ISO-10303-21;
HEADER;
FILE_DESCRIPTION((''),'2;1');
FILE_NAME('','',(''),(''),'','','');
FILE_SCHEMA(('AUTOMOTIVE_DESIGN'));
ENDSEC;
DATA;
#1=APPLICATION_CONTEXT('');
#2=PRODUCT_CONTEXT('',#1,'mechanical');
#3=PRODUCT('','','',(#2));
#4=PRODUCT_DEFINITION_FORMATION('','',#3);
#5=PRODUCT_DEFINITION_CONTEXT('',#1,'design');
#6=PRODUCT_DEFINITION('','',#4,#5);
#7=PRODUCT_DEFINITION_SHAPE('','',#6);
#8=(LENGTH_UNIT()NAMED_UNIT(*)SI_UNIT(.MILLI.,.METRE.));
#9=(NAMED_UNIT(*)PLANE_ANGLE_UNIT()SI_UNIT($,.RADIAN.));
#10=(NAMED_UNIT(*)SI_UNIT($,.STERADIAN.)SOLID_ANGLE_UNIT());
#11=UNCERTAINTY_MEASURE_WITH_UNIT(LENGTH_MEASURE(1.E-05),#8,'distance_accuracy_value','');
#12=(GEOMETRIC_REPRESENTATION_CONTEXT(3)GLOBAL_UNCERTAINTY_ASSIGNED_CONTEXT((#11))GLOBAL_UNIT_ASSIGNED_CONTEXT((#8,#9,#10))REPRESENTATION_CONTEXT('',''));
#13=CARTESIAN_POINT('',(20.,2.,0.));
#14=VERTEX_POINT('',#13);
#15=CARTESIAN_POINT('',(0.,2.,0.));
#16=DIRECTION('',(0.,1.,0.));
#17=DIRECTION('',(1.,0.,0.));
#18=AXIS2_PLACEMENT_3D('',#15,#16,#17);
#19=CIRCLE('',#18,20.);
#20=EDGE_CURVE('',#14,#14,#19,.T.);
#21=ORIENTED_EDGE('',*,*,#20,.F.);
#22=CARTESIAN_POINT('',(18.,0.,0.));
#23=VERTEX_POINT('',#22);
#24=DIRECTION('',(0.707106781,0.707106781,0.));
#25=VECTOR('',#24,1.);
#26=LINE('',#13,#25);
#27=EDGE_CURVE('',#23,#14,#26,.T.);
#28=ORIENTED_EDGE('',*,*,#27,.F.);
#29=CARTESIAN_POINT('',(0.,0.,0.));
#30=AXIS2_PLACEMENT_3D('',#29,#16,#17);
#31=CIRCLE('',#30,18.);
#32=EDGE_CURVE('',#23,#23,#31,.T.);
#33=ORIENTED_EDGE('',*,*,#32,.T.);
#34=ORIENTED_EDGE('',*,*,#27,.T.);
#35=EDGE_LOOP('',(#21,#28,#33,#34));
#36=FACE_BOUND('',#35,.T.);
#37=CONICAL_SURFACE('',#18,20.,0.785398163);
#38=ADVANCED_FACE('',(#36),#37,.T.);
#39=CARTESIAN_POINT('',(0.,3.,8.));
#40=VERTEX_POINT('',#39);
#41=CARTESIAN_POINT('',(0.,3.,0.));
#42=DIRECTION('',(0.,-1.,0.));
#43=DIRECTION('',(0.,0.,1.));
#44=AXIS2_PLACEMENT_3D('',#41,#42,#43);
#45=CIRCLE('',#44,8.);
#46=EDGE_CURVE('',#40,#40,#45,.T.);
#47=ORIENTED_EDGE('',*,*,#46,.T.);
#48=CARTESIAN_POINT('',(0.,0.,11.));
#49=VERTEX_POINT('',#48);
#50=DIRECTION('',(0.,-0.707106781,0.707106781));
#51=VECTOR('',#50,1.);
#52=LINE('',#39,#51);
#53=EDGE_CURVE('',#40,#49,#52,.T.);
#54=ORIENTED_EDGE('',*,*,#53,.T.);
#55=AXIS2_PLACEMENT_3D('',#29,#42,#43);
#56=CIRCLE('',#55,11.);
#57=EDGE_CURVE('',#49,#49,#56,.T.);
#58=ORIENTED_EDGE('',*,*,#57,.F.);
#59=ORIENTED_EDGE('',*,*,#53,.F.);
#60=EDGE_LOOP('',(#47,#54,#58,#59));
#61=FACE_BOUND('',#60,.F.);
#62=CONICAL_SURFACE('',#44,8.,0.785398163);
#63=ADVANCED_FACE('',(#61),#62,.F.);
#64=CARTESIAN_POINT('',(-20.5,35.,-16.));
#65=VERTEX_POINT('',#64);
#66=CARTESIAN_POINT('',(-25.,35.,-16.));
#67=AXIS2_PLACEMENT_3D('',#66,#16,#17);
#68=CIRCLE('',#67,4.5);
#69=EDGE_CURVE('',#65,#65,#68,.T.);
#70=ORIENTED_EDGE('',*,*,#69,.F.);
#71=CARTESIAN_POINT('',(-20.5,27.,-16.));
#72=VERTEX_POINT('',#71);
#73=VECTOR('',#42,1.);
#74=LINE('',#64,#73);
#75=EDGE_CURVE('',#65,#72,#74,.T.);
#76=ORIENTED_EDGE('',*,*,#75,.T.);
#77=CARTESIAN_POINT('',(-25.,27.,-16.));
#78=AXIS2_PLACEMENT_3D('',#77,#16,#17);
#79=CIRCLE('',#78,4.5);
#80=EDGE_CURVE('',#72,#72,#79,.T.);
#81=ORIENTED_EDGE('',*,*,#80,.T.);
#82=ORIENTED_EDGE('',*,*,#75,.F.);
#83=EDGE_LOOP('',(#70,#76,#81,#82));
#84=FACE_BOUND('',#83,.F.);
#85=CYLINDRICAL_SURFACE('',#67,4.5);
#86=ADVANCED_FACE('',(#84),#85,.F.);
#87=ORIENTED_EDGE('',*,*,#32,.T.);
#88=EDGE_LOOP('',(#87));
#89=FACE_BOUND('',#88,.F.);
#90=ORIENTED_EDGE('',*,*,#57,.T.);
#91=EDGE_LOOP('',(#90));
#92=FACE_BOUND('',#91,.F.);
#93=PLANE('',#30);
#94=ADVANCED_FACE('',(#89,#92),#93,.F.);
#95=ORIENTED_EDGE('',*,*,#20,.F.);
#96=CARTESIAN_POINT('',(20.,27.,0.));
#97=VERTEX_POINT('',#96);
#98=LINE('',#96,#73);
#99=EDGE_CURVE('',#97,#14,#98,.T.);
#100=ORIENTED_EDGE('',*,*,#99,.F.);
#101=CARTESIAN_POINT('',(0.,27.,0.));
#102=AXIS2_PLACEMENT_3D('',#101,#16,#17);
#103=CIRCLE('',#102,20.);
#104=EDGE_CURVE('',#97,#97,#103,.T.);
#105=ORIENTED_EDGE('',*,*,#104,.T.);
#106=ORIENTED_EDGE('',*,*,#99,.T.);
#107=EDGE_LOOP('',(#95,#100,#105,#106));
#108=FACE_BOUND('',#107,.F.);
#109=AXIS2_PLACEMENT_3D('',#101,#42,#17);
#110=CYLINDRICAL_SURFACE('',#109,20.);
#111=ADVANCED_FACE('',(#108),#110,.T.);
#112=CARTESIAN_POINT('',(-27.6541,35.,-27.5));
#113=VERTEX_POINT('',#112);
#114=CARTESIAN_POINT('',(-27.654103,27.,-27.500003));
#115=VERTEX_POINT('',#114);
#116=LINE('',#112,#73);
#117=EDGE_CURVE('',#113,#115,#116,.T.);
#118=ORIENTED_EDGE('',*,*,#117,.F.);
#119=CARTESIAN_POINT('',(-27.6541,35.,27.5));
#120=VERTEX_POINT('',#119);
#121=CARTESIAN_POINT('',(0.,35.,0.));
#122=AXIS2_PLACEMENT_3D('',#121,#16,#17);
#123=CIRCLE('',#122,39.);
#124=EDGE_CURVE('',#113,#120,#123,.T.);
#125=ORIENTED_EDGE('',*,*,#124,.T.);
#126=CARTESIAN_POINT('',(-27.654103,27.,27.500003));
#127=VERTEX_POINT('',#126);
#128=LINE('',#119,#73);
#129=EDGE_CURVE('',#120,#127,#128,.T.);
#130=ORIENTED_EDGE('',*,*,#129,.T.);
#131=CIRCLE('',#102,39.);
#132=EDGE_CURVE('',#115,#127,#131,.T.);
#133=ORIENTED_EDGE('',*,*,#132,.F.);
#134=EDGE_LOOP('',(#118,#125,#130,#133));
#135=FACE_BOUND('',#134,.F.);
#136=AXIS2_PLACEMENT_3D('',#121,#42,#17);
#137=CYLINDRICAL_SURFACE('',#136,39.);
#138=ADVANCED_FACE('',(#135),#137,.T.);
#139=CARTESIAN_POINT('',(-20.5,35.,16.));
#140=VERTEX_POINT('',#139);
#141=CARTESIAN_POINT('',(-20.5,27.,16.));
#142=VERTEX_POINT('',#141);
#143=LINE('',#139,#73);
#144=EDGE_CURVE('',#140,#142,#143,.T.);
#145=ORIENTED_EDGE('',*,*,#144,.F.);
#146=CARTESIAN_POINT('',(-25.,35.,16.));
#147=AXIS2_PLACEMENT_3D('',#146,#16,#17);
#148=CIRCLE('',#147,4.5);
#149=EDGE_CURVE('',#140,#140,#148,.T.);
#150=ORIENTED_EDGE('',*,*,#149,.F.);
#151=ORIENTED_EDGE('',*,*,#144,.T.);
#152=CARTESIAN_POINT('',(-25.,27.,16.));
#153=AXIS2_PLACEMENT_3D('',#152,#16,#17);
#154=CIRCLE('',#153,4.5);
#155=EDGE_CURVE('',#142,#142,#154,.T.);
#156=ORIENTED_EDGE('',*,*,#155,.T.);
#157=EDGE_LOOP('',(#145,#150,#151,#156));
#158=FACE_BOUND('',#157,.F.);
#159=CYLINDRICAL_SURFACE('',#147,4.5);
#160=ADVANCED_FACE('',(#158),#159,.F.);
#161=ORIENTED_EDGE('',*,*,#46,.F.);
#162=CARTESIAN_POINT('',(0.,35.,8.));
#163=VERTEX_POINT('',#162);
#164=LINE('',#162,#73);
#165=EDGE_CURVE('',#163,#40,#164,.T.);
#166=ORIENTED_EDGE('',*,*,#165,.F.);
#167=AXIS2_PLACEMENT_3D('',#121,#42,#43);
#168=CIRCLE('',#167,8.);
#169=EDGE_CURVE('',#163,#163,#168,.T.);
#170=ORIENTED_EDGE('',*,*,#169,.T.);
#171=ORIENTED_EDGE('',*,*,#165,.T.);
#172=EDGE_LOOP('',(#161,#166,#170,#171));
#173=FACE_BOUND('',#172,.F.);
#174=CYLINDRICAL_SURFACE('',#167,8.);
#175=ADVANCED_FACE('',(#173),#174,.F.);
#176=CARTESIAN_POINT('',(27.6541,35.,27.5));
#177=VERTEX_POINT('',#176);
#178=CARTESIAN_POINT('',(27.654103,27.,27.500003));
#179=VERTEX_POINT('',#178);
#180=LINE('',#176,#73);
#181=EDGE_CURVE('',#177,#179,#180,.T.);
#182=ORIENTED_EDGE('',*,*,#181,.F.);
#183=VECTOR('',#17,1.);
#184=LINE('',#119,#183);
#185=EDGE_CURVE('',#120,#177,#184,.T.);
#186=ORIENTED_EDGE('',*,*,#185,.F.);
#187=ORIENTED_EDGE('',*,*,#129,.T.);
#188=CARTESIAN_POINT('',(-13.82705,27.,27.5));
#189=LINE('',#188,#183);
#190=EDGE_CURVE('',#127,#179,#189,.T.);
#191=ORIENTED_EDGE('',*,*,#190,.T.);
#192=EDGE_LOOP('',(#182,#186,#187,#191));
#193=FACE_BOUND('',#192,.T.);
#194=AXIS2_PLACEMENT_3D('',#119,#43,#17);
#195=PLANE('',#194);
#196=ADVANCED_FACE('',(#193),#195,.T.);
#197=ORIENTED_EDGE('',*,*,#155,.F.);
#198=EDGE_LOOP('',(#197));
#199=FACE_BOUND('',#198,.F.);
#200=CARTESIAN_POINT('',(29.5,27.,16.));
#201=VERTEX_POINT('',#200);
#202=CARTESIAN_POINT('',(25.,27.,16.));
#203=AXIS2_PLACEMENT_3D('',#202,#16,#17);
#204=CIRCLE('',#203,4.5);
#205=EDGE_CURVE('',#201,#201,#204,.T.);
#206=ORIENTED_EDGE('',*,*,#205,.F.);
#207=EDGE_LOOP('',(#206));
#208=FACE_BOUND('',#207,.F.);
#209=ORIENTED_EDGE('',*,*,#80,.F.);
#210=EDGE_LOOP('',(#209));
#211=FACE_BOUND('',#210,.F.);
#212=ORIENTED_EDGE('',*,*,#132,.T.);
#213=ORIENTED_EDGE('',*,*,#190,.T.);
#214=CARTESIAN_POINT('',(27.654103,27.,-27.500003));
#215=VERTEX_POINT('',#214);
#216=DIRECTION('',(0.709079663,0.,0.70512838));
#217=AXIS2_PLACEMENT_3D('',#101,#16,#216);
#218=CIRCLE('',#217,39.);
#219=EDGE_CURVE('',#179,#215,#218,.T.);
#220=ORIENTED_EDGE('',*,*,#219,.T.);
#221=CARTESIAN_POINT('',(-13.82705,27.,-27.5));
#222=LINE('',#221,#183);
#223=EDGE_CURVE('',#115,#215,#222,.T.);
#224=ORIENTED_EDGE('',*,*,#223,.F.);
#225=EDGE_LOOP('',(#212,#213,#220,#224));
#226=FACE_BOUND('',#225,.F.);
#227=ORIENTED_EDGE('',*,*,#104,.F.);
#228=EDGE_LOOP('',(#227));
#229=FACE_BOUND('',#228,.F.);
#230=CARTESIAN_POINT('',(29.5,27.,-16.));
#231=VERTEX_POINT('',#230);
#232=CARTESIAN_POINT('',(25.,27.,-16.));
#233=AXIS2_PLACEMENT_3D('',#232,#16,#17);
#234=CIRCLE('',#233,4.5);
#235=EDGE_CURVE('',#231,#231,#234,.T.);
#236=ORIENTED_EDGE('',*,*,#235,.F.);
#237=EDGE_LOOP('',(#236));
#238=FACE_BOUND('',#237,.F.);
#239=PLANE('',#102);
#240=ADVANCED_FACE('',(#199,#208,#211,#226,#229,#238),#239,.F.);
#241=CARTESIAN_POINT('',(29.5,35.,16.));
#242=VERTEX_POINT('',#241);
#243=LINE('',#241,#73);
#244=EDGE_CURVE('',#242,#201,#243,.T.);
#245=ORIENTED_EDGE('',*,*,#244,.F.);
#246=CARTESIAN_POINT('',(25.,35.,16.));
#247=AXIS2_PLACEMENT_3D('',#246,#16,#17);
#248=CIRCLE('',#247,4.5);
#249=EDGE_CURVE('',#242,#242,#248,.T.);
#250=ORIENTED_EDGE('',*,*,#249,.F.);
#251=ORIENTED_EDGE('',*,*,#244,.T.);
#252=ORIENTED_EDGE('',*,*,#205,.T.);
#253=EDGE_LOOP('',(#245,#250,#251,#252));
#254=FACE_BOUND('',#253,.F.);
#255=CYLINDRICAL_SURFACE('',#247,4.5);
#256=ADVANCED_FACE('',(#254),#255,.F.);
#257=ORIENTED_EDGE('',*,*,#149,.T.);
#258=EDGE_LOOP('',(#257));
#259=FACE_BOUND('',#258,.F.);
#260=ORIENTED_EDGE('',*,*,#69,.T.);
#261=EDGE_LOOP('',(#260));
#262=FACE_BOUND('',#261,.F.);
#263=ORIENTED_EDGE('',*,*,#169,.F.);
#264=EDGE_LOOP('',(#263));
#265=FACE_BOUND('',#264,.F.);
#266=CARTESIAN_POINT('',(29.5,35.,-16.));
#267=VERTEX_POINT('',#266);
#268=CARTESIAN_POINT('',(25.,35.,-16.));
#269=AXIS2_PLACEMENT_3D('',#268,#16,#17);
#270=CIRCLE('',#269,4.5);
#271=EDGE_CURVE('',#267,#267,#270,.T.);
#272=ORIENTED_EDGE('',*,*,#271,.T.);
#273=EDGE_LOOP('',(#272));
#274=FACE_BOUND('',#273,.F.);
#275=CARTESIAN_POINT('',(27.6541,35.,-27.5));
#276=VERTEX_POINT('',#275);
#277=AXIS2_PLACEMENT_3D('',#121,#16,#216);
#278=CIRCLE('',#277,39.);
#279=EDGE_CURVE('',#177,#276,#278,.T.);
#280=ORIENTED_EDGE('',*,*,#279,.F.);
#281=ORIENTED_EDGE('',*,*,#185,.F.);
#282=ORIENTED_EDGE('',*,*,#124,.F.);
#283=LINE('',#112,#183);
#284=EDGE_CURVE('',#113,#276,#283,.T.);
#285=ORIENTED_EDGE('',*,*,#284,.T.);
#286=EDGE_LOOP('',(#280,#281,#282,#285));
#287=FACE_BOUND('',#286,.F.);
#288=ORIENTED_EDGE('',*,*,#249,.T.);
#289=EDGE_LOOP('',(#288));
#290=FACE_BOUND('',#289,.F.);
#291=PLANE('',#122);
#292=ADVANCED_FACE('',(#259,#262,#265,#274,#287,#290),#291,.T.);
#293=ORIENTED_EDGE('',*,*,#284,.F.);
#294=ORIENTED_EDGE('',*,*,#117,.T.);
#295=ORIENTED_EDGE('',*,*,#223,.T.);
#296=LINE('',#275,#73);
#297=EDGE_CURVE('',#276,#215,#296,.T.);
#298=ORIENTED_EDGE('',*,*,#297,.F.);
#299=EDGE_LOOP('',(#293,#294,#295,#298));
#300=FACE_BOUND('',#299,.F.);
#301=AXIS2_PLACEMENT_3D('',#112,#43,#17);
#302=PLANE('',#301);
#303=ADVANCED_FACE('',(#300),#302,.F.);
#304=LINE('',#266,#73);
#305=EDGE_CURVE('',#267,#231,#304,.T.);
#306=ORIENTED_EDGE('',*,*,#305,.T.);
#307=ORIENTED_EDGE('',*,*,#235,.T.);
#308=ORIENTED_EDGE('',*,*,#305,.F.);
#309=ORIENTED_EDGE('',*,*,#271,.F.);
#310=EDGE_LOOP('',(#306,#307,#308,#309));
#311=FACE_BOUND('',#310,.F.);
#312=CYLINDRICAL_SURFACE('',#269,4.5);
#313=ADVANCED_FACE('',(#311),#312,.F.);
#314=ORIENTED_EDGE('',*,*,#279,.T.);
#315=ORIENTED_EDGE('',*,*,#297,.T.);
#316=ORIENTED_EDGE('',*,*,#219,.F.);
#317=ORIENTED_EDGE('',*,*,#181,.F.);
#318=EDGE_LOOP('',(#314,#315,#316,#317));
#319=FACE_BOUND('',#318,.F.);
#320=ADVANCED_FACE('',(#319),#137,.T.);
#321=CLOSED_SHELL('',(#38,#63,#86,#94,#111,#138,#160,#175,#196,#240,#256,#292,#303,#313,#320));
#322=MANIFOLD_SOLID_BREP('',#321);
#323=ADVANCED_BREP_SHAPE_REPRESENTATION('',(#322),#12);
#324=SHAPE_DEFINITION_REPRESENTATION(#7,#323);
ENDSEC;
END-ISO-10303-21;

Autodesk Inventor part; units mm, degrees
ref_plane "YZ Plane" through (0, 0, 0) normal (1, 0, 0) x (0, 1, 0)
ref_plane "XZ Plane" through (0, 0, 0) normal (0, 1, 0) x (-1, 0, 0)
ref_plane "XY Plane" through (0, 0, 0) normal (0, 0, 1) x (1, 0, 0)
sketch "Эскиз1" plane through (0, 0, 0) normal (0, 0, 1) x (1, 0, 0)
  line L0 (0, 0) -> (0, 35)
  line L1 (0, 35) -> (39, 35)
  line L2 (39, 35) -> (39, 27)
  line L3 (39, 27) -> (20, 27)
  line L4 (20, 27) -> (20, 0)
  line L5 (20, 0) -> (0, 0)
  dimension "d0" = 78
  dimension "d1" = 40
  dimension "d2" = 8
  dimension "d3" = 35
revolve "Вращение1" add sketch "Эскиз1" angle 360 about axis through (0, 0, 0) along (0, 1, 0)
sketch "Эскиз2" plane through (0, 35, 0) normal (0, 1, 0) x (1, 0, 0)
  circle A0 centre (0, 0) radius 39 projected
  line L0 (-39, 0) -> (39, 0) construction
  line L1 (-27.6541, 27.5) -> (27.6541, 27.5)
  line L2 (-27.6541, -27.5) -> (27.6541, -27.5)
  line L3 (-25, -16) -> (25, -16) construction
  line L4 (25, -16) -> (25, 16) construction
  line L5 (25, 16) -> (-25, 16) construction
  line L6 (-25, 16) -> (-25, -16) construction
  line L7 (-25, -16) -> (25, 16) construction
  line L8 (25, -16) -> (-25, 16) construction
  circle A1 centre (-25, 16) radius 4.5
  circle A2 centre (-25, -16) radius 4.5
  circle A3 centre (25, -16) radius 4.5
  circle A4 centre (25, 16) radius 4.5
  dimension "d5" = 55
  dimension "d6" = 50
  dimension "d7" = 32
  dimension "d10" = 9
extrude "Выдавливание1" cut sketch "Эскиз2" against normal through all contours L1 A0 | A0 L2 | A1 | A2 | A3 | A4
hole "Отверстие1" at (0, 35, 0) direction (0, -1, 0) diameter 16 end through all thread size "TR24x8" class "7H" standard "ISO Metric Trapezoidal Threads"
chamfer "Фаска1" distance 3 angle 45 1 edges at (0, 0, -8)
chamfer "Фаска2" distance 2 angle 45 1 edges at (-20, 0, 0)
properties part number "Втулка 4"
